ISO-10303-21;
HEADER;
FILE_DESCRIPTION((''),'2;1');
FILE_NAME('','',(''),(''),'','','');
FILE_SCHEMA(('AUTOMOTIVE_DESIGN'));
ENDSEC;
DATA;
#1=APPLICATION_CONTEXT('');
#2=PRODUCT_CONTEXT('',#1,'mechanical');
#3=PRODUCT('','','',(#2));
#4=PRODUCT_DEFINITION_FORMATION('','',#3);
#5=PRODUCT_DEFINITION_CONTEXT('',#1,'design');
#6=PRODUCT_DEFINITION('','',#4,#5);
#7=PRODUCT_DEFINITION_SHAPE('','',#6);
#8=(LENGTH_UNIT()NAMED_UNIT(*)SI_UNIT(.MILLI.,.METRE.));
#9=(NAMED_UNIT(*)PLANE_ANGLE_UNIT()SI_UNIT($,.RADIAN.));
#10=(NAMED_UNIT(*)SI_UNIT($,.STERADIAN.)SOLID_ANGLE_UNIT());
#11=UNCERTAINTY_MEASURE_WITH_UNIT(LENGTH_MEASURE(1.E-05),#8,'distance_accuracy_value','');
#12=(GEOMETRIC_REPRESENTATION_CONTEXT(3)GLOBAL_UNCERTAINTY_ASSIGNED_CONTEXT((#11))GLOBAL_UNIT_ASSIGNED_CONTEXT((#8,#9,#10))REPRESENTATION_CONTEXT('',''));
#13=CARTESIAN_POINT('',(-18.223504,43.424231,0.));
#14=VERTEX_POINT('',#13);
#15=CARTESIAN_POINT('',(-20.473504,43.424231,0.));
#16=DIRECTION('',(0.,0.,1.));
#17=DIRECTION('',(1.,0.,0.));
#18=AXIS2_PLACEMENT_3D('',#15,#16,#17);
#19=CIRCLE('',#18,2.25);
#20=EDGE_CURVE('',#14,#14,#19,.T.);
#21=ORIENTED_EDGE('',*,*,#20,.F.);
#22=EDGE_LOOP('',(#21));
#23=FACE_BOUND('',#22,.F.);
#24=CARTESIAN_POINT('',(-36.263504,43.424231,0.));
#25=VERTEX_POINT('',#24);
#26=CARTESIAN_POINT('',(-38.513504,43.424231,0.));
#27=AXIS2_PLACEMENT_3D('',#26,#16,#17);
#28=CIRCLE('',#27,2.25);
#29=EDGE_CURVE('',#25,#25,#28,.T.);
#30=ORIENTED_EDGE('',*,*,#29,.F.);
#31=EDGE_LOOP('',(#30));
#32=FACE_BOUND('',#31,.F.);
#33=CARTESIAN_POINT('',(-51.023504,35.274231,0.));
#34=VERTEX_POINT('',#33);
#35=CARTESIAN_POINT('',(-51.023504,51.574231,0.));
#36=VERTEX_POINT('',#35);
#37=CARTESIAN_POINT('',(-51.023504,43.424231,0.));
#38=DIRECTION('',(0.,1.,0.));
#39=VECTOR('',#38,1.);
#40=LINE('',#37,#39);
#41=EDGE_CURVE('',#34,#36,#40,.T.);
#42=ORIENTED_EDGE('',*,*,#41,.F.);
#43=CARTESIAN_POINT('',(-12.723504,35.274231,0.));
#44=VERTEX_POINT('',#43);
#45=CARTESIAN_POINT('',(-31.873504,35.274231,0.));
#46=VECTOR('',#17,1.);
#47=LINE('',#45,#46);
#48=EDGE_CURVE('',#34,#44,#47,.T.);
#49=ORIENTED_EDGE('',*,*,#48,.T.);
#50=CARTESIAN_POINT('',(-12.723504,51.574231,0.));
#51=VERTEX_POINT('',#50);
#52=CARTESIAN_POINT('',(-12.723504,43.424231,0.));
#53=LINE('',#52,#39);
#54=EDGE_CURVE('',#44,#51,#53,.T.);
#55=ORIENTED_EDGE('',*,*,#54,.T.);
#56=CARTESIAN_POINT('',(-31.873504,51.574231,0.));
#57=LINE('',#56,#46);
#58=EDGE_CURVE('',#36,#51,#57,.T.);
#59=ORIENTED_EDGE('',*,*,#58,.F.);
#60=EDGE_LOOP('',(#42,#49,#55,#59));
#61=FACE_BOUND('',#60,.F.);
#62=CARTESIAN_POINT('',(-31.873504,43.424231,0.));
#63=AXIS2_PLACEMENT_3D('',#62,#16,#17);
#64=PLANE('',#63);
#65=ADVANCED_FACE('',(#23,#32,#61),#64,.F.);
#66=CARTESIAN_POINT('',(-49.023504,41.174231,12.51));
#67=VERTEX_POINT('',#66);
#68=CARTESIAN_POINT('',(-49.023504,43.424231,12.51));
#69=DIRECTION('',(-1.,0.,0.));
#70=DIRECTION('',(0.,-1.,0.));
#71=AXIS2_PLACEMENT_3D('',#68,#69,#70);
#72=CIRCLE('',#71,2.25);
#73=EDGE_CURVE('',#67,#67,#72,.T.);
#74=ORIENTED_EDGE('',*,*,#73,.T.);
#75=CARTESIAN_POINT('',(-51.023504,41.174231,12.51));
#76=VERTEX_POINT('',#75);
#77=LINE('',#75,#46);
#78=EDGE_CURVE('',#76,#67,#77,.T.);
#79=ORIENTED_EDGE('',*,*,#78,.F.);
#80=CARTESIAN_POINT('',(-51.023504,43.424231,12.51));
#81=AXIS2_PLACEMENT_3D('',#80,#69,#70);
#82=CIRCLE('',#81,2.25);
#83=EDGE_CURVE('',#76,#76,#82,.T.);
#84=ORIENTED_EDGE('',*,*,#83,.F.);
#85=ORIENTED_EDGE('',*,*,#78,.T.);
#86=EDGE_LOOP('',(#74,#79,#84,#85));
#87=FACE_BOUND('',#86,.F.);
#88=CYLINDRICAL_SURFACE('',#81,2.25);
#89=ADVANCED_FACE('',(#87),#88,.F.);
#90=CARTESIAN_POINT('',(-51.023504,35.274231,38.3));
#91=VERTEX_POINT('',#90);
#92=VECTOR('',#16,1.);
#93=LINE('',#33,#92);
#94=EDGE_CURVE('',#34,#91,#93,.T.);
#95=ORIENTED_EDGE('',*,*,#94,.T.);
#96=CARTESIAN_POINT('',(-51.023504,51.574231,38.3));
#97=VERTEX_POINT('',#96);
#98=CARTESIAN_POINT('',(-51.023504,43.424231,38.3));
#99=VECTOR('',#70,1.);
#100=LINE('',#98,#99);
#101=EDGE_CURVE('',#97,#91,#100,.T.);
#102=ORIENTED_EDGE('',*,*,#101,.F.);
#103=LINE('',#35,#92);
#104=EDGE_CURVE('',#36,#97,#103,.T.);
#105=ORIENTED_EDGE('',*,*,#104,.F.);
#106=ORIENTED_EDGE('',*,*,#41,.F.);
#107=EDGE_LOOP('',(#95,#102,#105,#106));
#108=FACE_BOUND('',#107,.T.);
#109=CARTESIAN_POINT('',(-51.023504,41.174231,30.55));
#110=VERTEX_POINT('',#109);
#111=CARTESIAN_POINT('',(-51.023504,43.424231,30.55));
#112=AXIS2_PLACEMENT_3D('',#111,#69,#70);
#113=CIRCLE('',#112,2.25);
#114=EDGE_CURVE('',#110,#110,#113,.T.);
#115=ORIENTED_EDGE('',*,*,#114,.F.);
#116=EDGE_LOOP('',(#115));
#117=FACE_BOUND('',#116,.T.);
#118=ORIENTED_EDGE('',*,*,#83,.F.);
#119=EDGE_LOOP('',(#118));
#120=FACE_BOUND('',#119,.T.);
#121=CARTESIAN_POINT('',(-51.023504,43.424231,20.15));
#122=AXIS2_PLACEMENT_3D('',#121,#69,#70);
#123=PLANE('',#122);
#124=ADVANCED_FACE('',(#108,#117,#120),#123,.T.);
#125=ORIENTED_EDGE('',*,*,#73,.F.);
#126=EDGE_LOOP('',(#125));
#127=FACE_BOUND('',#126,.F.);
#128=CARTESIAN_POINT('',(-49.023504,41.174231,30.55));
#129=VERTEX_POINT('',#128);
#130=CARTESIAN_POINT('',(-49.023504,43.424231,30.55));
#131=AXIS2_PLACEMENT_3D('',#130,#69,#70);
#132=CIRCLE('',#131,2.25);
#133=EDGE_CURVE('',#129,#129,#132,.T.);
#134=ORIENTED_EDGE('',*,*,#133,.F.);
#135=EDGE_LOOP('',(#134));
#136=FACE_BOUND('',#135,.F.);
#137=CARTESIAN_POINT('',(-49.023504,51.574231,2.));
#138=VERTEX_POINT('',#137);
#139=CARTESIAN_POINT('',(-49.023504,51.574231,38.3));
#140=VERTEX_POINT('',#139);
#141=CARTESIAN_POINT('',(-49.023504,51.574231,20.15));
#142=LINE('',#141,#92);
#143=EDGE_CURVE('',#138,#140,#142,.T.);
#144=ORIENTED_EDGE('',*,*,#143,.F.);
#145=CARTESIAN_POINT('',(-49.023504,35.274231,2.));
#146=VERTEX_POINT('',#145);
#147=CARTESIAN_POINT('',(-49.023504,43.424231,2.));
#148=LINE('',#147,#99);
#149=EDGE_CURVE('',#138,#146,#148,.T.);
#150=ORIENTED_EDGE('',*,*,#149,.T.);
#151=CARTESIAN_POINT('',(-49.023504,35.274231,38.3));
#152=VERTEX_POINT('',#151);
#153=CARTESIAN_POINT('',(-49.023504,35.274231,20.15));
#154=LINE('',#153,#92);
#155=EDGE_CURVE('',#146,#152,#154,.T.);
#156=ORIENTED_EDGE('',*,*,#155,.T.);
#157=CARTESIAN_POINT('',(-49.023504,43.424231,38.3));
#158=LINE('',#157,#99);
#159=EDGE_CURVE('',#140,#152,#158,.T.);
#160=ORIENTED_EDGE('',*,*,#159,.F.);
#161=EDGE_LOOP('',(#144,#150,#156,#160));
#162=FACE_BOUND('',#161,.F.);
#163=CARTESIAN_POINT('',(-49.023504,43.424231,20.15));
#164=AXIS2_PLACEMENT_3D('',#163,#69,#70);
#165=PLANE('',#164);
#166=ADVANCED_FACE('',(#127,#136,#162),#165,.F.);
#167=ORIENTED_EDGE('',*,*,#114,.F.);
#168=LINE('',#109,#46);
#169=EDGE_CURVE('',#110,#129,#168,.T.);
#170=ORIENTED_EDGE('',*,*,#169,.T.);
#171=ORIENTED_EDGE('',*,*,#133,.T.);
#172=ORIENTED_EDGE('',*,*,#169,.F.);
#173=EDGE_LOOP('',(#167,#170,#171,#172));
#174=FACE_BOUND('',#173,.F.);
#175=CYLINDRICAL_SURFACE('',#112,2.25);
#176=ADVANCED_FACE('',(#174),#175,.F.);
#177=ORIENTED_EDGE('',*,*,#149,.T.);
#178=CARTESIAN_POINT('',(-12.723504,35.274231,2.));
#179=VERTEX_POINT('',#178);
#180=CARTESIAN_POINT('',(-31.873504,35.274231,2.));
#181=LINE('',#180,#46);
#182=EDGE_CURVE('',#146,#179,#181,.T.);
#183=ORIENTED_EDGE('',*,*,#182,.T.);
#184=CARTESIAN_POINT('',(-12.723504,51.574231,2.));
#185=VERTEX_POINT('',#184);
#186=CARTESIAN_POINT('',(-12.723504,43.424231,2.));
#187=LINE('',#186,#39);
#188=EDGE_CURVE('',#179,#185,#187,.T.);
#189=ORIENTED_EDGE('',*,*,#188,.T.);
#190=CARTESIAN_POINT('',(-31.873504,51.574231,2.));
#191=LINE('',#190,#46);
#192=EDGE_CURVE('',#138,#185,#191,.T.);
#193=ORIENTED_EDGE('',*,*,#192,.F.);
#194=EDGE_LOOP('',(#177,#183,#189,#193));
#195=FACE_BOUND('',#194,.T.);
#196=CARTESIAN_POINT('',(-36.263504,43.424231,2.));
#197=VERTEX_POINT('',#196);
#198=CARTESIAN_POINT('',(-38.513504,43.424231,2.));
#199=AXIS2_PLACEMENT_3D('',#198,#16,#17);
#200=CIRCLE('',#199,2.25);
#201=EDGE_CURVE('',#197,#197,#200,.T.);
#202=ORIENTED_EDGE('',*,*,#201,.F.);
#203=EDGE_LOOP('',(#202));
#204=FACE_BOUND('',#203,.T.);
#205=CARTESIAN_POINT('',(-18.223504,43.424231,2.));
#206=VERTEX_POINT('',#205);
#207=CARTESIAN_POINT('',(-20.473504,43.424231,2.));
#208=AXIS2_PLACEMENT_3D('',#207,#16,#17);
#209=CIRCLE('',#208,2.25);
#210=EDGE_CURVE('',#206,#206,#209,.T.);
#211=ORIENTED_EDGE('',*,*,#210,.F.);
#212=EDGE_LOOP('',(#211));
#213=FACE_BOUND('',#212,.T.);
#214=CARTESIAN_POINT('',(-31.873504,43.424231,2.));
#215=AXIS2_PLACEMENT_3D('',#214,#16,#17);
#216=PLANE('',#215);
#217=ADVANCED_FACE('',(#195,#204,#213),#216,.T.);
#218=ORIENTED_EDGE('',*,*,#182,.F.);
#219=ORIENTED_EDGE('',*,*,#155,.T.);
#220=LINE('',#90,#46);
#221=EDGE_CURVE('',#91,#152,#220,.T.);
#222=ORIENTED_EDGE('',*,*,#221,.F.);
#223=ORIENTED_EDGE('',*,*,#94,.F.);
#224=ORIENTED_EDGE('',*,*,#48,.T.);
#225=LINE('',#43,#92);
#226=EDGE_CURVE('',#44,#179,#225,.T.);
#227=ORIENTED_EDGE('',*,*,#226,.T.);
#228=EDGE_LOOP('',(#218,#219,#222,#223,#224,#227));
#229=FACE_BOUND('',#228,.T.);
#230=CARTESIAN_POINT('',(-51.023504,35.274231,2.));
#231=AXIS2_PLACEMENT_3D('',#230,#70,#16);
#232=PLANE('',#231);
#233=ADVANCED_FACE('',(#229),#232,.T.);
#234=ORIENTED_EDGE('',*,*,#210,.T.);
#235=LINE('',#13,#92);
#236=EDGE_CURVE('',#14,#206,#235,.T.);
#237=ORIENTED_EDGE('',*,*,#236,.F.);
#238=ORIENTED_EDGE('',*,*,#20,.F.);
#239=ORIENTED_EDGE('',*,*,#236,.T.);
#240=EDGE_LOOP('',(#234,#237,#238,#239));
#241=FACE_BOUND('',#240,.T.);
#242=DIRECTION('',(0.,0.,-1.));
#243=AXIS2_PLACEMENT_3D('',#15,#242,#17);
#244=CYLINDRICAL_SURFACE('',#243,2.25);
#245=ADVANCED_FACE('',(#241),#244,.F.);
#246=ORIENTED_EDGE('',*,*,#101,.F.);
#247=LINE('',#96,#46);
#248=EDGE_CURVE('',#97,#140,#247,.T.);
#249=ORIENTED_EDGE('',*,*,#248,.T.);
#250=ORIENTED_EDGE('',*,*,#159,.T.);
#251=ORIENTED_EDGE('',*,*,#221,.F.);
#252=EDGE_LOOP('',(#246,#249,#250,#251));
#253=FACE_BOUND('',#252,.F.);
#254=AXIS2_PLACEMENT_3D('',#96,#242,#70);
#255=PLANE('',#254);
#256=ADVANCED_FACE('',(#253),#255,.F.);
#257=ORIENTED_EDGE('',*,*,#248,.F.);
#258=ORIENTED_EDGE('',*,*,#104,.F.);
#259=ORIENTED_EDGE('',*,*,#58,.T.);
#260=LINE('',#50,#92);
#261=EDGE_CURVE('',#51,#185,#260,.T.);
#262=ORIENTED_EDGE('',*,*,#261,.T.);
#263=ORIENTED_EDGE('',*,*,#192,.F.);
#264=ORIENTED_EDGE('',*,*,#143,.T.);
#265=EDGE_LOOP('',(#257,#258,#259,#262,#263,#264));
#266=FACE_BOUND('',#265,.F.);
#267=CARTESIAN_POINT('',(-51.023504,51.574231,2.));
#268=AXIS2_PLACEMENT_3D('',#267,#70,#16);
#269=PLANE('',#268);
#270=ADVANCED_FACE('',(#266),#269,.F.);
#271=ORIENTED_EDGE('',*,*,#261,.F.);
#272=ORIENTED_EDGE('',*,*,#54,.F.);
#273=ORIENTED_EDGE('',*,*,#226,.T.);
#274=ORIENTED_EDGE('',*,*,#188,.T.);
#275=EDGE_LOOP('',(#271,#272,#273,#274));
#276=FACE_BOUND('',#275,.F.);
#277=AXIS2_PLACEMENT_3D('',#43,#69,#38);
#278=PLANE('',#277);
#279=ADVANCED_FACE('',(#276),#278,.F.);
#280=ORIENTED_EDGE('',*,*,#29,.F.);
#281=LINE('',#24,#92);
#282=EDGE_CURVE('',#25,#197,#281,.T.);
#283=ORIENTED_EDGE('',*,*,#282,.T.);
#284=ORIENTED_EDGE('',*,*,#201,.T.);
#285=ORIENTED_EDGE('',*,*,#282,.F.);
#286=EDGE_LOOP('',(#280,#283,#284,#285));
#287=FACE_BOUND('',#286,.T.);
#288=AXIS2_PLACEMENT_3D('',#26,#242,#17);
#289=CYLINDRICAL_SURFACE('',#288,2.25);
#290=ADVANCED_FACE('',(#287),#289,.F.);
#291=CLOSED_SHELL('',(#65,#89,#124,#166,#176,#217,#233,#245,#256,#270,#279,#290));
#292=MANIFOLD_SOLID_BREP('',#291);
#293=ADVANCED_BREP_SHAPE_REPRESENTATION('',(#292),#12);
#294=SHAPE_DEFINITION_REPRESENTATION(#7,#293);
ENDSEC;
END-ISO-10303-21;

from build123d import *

# Parameters (mm, degrees)
F0_W     = 38.3
F0_H     = 16.3
F0_R     = 2.25
F1_DEPTH = 2
F2_W     = 16.3
F2_H     = 36.3
F2_R     = 2.25
F3_DEPTH = 2


with BuildPart() as f1:
    # F0 (on Top) → F1 (new body)
    with BuildSketch(Plane.XY):
        with Locations((-31.873504, 43.424231)):
            Rectangle(F0_W, F0_H)
        with Locations((-38.513504, 43.424231)):
            Circle(F0_R, mode=Mode.SUBTRACT)
        with Locations((-20.473504, 43.424231)):
            Circle(F0_R, mode=Mode.SUBTRACT)
    extrude(amount=F1_DEPTH)

    # F2 (on face) → F3 (join)
    with BuildSketch(Plane(origin=(-51.023504, 0, 0), x_dir=(0, -1, 0), z_dir=(-1, 0, 0))):
        with Locations((-43.424231, 20.15)):
            Rectangle(F2_W, F2_H)
        with Locations((-43.424231, 12.51)):
            Circle(F2_R, mode=Mode.SUBTRACT)
        with Locations((-43.424231, 30.55)):
            Circle(F2_R, mode=Mode.SUBTRACT)
    extrude(amount=-F3_DEPTH)


solid = f1.part
